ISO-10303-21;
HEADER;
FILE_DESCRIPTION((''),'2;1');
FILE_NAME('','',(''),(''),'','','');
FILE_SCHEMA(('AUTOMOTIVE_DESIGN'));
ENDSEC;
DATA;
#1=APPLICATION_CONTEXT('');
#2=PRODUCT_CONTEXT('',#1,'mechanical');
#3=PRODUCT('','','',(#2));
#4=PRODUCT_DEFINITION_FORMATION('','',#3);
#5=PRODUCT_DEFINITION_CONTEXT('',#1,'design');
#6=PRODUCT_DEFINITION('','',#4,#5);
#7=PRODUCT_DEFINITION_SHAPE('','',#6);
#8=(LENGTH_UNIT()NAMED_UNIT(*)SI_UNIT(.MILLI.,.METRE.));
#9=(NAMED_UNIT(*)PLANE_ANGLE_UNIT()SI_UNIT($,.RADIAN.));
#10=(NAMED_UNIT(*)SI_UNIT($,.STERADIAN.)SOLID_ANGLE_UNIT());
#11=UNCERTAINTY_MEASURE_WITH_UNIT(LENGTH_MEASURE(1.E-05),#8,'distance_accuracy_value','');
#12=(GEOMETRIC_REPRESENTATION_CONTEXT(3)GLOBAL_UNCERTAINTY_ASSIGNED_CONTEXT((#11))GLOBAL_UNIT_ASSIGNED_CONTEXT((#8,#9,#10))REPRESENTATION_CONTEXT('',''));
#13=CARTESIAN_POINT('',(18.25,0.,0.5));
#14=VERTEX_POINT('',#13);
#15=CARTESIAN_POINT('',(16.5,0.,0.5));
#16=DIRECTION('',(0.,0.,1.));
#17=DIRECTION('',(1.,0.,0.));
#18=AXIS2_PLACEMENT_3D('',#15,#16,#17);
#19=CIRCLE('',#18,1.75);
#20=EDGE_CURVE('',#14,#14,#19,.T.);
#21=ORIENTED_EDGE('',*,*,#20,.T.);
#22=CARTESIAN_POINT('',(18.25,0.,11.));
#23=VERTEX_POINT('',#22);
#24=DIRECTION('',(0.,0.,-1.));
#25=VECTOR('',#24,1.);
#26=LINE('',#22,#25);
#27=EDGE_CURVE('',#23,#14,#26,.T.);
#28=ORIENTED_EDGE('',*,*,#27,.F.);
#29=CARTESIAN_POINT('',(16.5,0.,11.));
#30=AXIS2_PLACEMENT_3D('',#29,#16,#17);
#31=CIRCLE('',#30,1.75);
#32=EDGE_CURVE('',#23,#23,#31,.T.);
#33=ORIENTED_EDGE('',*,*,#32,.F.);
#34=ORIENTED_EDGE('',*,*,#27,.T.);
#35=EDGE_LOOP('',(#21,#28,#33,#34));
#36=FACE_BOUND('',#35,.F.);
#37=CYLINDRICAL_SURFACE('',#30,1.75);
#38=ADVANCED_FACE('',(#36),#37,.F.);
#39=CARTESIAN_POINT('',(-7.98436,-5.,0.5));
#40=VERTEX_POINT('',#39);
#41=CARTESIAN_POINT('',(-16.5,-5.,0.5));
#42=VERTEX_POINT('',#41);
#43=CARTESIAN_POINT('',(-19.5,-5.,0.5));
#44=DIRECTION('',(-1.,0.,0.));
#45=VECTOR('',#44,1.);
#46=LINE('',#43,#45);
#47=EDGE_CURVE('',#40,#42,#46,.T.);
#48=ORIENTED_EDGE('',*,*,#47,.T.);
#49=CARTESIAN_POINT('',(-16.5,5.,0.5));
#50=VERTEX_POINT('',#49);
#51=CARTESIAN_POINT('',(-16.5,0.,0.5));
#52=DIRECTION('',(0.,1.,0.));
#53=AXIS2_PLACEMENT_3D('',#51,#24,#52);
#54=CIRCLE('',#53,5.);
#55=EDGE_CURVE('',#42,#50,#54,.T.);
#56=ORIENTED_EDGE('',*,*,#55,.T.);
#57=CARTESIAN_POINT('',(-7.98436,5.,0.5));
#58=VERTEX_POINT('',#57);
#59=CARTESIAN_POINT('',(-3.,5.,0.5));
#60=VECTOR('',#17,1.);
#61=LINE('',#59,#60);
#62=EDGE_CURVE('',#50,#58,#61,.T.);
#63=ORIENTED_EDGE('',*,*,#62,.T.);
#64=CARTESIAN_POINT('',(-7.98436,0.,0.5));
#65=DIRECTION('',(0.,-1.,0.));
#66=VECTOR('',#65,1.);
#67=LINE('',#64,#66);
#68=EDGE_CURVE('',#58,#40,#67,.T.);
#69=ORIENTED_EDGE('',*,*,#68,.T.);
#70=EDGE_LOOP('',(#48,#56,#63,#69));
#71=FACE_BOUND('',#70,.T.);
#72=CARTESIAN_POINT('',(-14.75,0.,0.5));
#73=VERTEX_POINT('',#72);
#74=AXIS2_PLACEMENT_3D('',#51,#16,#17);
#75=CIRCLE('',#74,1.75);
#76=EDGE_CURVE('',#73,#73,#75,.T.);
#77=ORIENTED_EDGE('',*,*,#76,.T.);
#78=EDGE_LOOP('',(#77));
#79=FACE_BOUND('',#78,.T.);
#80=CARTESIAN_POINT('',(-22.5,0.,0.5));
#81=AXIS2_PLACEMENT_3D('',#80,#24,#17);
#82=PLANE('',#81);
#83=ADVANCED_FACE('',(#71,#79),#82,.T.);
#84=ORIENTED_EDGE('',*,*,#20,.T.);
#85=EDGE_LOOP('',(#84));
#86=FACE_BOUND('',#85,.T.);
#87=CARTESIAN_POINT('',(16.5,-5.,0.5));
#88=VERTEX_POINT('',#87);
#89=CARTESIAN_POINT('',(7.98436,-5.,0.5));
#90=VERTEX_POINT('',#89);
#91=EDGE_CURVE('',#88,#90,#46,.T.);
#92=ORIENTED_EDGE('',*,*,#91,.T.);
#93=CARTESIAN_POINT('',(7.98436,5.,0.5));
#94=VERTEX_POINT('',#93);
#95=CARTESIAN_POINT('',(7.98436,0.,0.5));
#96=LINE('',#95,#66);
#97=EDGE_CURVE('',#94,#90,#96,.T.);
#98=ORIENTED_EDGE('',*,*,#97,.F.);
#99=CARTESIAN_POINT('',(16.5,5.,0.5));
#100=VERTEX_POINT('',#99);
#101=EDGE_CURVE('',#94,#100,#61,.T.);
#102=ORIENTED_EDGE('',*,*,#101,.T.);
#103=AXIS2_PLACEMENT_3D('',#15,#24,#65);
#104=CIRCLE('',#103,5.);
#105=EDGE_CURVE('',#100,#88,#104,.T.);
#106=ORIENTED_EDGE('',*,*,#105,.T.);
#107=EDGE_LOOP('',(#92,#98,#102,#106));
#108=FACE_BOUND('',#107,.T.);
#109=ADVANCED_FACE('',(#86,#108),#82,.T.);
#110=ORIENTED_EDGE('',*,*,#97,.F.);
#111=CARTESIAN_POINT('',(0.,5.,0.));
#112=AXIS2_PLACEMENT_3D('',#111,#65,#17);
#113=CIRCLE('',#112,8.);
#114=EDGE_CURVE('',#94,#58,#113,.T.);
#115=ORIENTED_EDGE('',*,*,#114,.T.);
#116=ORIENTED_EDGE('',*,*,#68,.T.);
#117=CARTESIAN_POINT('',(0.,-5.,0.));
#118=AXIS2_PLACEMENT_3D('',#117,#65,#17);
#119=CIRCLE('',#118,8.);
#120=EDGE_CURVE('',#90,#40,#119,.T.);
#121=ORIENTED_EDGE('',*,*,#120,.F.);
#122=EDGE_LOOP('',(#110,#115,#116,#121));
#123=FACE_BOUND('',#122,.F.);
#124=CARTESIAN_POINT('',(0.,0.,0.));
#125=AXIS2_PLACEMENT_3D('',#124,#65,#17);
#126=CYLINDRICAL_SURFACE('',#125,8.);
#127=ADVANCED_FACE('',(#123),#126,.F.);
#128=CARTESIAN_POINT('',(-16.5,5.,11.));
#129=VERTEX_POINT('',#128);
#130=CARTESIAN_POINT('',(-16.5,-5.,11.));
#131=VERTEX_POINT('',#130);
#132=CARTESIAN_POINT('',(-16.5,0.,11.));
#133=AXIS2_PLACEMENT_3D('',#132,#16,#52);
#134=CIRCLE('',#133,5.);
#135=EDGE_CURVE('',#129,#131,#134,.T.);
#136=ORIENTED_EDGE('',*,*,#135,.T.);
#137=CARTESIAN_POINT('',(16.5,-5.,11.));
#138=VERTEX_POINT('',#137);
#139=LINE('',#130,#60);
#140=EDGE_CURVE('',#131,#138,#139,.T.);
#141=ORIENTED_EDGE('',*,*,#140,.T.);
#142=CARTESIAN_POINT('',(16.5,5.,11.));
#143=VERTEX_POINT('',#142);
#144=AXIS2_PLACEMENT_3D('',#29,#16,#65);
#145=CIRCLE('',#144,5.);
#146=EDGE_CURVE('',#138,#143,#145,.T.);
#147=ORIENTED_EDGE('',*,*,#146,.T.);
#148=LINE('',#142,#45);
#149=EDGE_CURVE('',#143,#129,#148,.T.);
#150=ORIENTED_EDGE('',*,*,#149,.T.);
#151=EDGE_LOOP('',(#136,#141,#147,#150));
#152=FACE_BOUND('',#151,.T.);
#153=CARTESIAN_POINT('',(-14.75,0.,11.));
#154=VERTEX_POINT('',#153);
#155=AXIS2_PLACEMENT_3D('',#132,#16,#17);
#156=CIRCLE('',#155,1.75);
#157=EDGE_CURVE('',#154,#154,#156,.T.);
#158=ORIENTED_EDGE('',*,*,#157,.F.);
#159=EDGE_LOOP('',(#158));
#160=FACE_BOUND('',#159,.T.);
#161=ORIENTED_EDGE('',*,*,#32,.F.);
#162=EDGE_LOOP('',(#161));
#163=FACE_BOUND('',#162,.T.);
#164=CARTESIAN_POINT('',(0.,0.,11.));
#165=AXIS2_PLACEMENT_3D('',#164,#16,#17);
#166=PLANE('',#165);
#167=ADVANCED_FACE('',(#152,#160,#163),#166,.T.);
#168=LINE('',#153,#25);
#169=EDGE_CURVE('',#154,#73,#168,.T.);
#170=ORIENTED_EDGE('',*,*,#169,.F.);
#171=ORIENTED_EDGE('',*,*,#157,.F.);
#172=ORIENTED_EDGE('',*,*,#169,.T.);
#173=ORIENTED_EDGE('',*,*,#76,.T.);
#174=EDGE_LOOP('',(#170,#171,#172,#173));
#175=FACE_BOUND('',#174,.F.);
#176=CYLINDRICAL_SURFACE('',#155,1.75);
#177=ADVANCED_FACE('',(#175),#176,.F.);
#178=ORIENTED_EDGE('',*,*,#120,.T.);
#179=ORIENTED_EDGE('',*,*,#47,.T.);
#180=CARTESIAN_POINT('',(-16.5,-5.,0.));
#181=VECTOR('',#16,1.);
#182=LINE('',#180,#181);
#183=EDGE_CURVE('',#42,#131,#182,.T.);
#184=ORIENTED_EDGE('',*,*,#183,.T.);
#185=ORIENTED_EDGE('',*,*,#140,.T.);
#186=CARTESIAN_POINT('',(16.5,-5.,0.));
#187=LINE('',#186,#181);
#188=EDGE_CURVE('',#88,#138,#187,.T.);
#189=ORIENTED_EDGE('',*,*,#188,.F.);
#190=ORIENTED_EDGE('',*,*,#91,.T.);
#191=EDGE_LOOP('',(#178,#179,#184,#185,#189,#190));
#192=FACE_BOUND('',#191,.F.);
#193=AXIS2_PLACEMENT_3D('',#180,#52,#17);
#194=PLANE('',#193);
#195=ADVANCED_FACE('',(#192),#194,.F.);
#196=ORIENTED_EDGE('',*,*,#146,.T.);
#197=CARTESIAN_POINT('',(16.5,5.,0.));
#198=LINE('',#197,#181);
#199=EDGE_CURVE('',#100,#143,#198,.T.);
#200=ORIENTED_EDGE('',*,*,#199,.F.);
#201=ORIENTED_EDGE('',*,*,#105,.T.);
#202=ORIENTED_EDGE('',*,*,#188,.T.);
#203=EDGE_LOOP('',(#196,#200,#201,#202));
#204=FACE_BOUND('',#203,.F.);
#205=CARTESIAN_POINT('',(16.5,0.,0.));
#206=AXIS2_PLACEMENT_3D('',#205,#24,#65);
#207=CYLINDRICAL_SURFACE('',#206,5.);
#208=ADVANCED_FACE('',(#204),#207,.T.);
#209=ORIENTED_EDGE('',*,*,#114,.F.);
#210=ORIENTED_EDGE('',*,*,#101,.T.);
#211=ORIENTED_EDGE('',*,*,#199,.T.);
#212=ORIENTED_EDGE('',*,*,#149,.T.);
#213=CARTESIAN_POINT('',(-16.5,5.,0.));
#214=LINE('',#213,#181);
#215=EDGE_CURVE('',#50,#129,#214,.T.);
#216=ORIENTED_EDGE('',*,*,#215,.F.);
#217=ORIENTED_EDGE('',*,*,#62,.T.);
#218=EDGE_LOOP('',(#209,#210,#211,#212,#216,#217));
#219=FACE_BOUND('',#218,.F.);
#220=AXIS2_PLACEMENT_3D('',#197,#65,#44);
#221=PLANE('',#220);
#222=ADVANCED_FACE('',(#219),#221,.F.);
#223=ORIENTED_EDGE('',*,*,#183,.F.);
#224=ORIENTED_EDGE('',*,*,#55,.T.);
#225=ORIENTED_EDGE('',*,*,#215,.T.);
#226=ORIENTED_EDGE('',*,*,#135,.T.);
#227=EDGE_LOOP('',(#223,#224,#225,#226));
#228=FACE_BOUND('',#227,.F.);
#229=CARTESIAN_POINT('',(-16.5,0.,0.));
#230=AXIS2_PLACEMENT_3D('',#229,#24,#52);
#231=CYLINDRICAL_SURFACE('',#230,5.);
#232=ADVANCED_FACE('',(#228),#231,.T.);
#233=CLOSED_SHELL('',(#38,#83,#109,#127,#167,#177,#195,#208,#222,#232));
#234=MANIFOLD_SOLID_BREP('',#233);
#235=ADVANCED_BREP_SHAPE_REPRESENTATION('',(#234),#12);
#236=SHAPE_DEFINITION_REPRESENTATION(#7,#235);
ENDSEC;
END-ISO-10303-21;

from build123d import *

# Parameters (mm, degrees)
F1_DEPTH = 11
F3_DEPTH = 12.5
F4_R     = 1.75
F5_DEPTH = 25
F6_W     = 45
F6_H     = 1
F7_DEPTH = 12.5


with BuildPart() as f1:
    # F0 (on Top) → F1 (new body)
    with BuildSketch(Plane.XY):
        with BuildLine():
            Line((16.5, 5), (-16.5, 5))
            ThreePointArc((-16.5, 5), (-21.5, 0), (-16.5, -5))
            Line((-16.5, -5), (16.5, -5))
            ThreePointArc((16.5, -5), (21.5, 0), (16.5, 5))
        make_face()
    extrude(amount=F1_DEPTH)

    # F2 (on Front) → F3 (cut, symmetric)
    with BuildSketch(Plane.XZ):
        with BuildLine():
            Line((-8, 0), (8, 0))
            ThreePointArc((8, 0), (0, 8), (-8, 0))
        make_face()
    extrude(amount=F3_DEPTH, both=True, mode=Mode.SUBTRACT)

    # F4 (on face) → F5 (cut)
    with BuildSketch(Plane.XY.offset(11)):
        with Locations((-16.5, 0)):
            Circle(F4_R)
        with Locations((16.5, 0)):
            Circle(F4_R)
    extrude(amount=-F5_DEPTH, mode=Mode.SUBTRACT)

    # F6 (on Front) → F7 (cut, symmetric)
    with BuildSketch(Plane.XZ):
        Rectangle(F6_W, F6_H)
    extrude(amount=F7_DEPTH, both=True, mode=Mode.SUBTRACT)


solid = f1.part
